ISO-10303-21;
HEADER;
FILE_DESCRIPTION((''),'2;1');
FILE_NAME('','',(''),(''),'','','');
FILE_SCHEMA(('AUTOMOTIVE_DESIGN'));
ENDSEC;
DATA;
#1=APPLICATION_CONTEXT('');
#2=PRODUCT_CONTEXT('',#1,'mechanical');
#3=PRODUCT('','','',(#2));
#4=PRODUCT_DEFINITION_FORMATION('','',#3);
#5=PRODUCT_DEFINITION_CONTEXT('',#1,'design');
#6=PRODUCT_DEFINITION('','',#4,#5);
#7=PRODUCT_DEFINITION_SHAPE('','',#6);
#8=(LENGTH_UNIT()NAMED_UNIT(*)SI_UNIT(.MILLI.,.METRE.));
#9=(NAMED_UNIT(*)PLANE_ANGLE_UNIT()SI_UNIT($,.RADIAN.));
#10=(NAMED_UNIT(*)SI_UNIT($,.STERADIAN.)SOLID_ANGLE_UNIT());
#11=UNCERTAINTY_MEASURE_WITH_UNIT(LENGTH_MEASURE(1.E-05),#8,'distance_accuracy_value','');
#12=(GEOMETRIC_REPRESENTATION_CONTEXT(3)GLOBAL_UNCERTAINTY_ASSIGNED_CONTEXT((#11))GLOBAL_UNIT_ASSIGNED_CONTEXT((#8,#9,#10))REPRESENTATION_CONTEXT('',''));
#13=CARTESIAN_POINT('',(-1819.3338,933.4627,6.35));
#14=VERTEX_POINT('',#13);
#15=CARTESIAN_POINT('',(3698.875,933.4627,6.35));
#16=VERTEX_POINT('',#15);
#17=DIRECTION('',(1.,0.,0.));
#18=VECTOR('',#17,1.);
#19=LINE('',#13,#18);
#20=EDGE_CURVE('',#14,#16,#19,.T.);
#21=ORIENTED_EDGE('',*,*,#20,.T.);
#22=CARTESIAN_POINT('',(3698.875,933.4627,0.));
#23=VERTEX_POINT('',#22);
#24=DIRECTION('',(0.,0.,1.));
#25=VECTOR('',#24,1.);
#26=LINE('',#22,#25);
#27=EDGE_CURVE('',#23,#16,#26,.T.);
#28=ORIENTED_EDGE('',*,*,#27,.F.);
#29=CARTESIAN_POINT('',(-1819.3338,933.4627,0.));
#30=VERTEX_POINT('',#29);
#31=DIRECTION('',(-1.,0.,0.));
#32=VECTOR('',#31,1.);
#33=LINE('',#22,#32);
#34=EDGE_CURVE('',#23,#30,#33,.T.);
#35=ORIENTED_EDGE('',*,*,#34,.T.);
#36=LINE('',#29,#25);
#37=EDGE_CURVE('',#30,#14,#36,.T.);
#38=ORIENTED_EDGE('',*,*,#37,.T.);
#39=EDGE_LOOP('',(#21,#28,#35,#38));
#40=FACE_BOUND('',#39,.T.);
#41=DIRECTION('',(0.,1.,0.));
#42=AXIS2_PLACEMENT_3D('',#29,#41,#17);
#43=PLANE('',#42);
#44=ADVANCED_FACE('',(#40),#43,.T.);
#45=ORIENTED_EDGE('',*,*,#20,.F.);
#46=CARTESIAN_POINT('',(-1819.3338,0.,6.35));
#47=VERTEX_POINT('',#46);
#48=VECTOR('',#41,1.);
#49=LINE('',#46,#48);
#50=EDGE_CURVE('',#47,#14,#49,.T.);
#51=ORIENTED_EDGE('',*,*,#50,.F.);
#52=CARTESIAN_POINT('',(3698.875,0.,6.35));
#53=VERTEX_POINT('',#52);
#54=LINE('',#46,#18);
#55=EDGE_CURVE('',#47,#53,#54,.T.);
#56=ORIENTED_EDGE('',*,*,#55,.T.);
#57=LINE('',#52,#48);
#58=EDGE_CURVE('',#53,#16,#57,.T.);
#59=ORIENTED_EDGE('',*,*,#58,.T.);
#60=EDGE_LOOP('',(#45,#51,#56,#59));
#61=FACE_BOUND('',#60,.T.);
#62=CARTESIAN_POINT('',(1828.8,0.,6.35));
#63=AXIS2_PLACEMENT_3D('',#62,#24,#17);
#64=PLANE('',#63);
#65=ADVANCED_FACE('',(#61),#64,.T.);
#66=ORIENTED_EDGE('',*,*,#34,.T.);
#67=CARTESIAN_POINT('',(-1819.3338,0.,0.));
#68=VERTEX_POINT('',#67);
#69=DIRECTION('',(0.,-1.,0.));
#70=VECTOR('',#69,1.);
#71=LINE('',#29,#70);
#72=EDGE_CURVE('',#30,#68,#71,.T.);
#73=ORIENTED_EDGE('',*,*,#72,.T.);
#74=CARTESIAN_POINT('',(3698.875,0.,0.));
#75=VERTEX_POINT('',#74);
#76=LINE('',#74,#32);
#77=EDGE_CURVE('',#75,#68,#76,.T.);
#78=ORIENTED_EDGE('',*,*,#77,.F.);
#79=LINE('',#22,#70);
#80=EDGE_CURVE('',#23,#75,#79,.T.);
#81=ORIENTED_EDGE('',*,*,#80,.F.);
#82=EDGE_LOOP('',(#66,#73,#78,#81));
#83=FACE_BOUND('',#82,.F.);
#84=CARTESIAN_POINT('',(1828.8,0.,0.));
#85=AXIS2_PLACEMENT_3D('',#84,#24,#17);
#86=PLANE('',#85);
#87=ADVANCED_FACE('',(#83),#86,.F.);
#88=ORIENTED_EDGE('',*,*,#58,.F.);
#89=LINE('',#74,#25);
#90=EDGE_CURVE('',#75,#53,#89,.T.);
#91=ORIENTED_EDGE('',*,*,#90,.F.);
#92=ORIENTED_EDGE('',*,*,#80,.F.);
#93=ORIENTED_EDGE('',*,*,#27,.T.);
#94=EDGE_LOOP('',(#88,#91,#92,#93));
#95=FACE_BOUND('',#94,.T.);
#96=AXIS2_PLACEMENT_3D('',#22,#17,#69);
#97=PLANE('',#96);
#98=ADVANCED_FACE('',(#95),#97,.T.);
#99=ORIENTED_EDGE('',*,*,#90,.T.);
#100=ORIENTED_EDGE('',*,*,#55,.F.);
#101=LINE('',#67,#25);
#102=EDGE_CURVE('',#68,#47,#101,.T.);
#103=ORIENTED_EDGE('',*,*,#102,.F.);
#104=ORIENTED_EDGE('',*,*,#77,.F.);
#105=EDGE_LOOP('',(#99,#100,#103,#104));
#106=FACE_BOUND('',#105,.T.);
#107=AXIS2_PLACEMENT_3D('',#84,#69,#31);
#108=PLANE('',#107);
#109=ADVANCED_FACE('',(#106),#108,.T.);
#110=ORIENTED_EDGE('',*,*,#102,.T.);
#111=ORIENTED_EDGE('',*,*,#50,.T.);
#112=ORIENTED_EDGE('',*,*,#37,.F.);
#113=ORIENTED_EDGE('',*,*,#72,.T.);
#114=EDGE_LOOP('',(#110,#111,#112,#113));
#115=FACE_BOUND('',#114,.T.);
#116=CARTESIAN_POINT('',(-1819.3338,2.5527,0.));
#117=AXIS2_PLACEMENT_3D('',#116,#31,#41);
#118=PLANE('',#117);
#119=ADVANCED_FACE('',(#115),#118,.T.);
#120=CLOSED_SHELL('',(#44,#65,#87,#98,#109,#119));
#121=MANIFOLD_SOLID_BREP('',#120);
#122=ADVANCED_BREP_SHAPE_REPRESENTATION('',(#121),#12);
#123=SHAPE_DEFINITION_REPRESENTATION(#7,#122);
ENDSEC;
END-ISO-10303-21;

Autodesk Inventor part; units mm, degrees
ref_plane "YZ Plane" through (0, 0, 0) normal (1, 0, 0) x (0, 1, 0)
ref_plane "XZ Plane" through (0, 0, 0) normal (0, 1, 0) x (-1, 0, 0)
ref_plane "XY Plane" through (0, 0, 0) normal (0, 0, 1) x (1, 0, 0)
ref_plane "Work Plane1" through (1828.8, 0, 0) normal (0, 0, 1) x (1, 0, 0)
sketch "Sketch1" plane through (1828.8, 0, 0) normal (0, 0, 1) x (1, 0, 0)
  line L0 (-6607.9116, 2.5527) -> (4823.5616, 2.5527)
  line L1 (-1812.925, 1986.1022) -> (-3654.425, 1986.1022) projected
  line L2 (-3648.1338, 933.4627) -> (1870.075, 933.4627)
  line L3 (1870.075, 933.4627) -> (1870.075, 0)
  line L4 (1870.075, 0) -> (-3648.1338, 0)
  line L5 (-3648.1338, 0) -> (-3648.1338, 933.4627)
  line L6 (1870.075, 1986.1022) -> (1870.075, 3052.9022) projected
  line L7 (1870.075, 1986.1022) -> (1870.075, 3052.9022) projected
  line L8 (1870.075, 3052.9022) -> (28.575, 3052.9022) projected
  line L9 (44.45, 0) -> (0, 0) projected
  line L10 (44.45, 0) -> (44.45, 1981.2) projected
  line L11 (0, 1981.2) -> (44.45, 1981.2) projected
  line L12 (0, 0) -> (0, 1981.2) projected
  line L13 (18.9865, 1998.8657) -> (-1803.3365, 1998.8657) projected
  line L14 (1870.075, 1981.2) -> (-3654.425, 1981.2) projected
  line L15 (1870.075, 1981.2) -> (-3654.425, 1981.2) projected
  line L16 (-3615.69, 933.4627) -> (-1828.8, 933.4627) projected
  point P0 (-1828.8, 0)
extrude "Extrusion1" add sketch "Sketch1" along normal blind 6.35 contours L5 L2 L12 L0 | L0 L12 L4 L5 | L12 L2 L10 L0 | L0 L10 L4 L12 | L10 L2 L3 L0 | L0 L3 L4 L10
ref_plane "Work Plane2" through (939.7706, 933.4627, 6.35) normal (-1, 0, 0) x (0, -1, 0)
properties part number "FE-PlayerStationBottom" material "Polycarbonate, Smoke"
